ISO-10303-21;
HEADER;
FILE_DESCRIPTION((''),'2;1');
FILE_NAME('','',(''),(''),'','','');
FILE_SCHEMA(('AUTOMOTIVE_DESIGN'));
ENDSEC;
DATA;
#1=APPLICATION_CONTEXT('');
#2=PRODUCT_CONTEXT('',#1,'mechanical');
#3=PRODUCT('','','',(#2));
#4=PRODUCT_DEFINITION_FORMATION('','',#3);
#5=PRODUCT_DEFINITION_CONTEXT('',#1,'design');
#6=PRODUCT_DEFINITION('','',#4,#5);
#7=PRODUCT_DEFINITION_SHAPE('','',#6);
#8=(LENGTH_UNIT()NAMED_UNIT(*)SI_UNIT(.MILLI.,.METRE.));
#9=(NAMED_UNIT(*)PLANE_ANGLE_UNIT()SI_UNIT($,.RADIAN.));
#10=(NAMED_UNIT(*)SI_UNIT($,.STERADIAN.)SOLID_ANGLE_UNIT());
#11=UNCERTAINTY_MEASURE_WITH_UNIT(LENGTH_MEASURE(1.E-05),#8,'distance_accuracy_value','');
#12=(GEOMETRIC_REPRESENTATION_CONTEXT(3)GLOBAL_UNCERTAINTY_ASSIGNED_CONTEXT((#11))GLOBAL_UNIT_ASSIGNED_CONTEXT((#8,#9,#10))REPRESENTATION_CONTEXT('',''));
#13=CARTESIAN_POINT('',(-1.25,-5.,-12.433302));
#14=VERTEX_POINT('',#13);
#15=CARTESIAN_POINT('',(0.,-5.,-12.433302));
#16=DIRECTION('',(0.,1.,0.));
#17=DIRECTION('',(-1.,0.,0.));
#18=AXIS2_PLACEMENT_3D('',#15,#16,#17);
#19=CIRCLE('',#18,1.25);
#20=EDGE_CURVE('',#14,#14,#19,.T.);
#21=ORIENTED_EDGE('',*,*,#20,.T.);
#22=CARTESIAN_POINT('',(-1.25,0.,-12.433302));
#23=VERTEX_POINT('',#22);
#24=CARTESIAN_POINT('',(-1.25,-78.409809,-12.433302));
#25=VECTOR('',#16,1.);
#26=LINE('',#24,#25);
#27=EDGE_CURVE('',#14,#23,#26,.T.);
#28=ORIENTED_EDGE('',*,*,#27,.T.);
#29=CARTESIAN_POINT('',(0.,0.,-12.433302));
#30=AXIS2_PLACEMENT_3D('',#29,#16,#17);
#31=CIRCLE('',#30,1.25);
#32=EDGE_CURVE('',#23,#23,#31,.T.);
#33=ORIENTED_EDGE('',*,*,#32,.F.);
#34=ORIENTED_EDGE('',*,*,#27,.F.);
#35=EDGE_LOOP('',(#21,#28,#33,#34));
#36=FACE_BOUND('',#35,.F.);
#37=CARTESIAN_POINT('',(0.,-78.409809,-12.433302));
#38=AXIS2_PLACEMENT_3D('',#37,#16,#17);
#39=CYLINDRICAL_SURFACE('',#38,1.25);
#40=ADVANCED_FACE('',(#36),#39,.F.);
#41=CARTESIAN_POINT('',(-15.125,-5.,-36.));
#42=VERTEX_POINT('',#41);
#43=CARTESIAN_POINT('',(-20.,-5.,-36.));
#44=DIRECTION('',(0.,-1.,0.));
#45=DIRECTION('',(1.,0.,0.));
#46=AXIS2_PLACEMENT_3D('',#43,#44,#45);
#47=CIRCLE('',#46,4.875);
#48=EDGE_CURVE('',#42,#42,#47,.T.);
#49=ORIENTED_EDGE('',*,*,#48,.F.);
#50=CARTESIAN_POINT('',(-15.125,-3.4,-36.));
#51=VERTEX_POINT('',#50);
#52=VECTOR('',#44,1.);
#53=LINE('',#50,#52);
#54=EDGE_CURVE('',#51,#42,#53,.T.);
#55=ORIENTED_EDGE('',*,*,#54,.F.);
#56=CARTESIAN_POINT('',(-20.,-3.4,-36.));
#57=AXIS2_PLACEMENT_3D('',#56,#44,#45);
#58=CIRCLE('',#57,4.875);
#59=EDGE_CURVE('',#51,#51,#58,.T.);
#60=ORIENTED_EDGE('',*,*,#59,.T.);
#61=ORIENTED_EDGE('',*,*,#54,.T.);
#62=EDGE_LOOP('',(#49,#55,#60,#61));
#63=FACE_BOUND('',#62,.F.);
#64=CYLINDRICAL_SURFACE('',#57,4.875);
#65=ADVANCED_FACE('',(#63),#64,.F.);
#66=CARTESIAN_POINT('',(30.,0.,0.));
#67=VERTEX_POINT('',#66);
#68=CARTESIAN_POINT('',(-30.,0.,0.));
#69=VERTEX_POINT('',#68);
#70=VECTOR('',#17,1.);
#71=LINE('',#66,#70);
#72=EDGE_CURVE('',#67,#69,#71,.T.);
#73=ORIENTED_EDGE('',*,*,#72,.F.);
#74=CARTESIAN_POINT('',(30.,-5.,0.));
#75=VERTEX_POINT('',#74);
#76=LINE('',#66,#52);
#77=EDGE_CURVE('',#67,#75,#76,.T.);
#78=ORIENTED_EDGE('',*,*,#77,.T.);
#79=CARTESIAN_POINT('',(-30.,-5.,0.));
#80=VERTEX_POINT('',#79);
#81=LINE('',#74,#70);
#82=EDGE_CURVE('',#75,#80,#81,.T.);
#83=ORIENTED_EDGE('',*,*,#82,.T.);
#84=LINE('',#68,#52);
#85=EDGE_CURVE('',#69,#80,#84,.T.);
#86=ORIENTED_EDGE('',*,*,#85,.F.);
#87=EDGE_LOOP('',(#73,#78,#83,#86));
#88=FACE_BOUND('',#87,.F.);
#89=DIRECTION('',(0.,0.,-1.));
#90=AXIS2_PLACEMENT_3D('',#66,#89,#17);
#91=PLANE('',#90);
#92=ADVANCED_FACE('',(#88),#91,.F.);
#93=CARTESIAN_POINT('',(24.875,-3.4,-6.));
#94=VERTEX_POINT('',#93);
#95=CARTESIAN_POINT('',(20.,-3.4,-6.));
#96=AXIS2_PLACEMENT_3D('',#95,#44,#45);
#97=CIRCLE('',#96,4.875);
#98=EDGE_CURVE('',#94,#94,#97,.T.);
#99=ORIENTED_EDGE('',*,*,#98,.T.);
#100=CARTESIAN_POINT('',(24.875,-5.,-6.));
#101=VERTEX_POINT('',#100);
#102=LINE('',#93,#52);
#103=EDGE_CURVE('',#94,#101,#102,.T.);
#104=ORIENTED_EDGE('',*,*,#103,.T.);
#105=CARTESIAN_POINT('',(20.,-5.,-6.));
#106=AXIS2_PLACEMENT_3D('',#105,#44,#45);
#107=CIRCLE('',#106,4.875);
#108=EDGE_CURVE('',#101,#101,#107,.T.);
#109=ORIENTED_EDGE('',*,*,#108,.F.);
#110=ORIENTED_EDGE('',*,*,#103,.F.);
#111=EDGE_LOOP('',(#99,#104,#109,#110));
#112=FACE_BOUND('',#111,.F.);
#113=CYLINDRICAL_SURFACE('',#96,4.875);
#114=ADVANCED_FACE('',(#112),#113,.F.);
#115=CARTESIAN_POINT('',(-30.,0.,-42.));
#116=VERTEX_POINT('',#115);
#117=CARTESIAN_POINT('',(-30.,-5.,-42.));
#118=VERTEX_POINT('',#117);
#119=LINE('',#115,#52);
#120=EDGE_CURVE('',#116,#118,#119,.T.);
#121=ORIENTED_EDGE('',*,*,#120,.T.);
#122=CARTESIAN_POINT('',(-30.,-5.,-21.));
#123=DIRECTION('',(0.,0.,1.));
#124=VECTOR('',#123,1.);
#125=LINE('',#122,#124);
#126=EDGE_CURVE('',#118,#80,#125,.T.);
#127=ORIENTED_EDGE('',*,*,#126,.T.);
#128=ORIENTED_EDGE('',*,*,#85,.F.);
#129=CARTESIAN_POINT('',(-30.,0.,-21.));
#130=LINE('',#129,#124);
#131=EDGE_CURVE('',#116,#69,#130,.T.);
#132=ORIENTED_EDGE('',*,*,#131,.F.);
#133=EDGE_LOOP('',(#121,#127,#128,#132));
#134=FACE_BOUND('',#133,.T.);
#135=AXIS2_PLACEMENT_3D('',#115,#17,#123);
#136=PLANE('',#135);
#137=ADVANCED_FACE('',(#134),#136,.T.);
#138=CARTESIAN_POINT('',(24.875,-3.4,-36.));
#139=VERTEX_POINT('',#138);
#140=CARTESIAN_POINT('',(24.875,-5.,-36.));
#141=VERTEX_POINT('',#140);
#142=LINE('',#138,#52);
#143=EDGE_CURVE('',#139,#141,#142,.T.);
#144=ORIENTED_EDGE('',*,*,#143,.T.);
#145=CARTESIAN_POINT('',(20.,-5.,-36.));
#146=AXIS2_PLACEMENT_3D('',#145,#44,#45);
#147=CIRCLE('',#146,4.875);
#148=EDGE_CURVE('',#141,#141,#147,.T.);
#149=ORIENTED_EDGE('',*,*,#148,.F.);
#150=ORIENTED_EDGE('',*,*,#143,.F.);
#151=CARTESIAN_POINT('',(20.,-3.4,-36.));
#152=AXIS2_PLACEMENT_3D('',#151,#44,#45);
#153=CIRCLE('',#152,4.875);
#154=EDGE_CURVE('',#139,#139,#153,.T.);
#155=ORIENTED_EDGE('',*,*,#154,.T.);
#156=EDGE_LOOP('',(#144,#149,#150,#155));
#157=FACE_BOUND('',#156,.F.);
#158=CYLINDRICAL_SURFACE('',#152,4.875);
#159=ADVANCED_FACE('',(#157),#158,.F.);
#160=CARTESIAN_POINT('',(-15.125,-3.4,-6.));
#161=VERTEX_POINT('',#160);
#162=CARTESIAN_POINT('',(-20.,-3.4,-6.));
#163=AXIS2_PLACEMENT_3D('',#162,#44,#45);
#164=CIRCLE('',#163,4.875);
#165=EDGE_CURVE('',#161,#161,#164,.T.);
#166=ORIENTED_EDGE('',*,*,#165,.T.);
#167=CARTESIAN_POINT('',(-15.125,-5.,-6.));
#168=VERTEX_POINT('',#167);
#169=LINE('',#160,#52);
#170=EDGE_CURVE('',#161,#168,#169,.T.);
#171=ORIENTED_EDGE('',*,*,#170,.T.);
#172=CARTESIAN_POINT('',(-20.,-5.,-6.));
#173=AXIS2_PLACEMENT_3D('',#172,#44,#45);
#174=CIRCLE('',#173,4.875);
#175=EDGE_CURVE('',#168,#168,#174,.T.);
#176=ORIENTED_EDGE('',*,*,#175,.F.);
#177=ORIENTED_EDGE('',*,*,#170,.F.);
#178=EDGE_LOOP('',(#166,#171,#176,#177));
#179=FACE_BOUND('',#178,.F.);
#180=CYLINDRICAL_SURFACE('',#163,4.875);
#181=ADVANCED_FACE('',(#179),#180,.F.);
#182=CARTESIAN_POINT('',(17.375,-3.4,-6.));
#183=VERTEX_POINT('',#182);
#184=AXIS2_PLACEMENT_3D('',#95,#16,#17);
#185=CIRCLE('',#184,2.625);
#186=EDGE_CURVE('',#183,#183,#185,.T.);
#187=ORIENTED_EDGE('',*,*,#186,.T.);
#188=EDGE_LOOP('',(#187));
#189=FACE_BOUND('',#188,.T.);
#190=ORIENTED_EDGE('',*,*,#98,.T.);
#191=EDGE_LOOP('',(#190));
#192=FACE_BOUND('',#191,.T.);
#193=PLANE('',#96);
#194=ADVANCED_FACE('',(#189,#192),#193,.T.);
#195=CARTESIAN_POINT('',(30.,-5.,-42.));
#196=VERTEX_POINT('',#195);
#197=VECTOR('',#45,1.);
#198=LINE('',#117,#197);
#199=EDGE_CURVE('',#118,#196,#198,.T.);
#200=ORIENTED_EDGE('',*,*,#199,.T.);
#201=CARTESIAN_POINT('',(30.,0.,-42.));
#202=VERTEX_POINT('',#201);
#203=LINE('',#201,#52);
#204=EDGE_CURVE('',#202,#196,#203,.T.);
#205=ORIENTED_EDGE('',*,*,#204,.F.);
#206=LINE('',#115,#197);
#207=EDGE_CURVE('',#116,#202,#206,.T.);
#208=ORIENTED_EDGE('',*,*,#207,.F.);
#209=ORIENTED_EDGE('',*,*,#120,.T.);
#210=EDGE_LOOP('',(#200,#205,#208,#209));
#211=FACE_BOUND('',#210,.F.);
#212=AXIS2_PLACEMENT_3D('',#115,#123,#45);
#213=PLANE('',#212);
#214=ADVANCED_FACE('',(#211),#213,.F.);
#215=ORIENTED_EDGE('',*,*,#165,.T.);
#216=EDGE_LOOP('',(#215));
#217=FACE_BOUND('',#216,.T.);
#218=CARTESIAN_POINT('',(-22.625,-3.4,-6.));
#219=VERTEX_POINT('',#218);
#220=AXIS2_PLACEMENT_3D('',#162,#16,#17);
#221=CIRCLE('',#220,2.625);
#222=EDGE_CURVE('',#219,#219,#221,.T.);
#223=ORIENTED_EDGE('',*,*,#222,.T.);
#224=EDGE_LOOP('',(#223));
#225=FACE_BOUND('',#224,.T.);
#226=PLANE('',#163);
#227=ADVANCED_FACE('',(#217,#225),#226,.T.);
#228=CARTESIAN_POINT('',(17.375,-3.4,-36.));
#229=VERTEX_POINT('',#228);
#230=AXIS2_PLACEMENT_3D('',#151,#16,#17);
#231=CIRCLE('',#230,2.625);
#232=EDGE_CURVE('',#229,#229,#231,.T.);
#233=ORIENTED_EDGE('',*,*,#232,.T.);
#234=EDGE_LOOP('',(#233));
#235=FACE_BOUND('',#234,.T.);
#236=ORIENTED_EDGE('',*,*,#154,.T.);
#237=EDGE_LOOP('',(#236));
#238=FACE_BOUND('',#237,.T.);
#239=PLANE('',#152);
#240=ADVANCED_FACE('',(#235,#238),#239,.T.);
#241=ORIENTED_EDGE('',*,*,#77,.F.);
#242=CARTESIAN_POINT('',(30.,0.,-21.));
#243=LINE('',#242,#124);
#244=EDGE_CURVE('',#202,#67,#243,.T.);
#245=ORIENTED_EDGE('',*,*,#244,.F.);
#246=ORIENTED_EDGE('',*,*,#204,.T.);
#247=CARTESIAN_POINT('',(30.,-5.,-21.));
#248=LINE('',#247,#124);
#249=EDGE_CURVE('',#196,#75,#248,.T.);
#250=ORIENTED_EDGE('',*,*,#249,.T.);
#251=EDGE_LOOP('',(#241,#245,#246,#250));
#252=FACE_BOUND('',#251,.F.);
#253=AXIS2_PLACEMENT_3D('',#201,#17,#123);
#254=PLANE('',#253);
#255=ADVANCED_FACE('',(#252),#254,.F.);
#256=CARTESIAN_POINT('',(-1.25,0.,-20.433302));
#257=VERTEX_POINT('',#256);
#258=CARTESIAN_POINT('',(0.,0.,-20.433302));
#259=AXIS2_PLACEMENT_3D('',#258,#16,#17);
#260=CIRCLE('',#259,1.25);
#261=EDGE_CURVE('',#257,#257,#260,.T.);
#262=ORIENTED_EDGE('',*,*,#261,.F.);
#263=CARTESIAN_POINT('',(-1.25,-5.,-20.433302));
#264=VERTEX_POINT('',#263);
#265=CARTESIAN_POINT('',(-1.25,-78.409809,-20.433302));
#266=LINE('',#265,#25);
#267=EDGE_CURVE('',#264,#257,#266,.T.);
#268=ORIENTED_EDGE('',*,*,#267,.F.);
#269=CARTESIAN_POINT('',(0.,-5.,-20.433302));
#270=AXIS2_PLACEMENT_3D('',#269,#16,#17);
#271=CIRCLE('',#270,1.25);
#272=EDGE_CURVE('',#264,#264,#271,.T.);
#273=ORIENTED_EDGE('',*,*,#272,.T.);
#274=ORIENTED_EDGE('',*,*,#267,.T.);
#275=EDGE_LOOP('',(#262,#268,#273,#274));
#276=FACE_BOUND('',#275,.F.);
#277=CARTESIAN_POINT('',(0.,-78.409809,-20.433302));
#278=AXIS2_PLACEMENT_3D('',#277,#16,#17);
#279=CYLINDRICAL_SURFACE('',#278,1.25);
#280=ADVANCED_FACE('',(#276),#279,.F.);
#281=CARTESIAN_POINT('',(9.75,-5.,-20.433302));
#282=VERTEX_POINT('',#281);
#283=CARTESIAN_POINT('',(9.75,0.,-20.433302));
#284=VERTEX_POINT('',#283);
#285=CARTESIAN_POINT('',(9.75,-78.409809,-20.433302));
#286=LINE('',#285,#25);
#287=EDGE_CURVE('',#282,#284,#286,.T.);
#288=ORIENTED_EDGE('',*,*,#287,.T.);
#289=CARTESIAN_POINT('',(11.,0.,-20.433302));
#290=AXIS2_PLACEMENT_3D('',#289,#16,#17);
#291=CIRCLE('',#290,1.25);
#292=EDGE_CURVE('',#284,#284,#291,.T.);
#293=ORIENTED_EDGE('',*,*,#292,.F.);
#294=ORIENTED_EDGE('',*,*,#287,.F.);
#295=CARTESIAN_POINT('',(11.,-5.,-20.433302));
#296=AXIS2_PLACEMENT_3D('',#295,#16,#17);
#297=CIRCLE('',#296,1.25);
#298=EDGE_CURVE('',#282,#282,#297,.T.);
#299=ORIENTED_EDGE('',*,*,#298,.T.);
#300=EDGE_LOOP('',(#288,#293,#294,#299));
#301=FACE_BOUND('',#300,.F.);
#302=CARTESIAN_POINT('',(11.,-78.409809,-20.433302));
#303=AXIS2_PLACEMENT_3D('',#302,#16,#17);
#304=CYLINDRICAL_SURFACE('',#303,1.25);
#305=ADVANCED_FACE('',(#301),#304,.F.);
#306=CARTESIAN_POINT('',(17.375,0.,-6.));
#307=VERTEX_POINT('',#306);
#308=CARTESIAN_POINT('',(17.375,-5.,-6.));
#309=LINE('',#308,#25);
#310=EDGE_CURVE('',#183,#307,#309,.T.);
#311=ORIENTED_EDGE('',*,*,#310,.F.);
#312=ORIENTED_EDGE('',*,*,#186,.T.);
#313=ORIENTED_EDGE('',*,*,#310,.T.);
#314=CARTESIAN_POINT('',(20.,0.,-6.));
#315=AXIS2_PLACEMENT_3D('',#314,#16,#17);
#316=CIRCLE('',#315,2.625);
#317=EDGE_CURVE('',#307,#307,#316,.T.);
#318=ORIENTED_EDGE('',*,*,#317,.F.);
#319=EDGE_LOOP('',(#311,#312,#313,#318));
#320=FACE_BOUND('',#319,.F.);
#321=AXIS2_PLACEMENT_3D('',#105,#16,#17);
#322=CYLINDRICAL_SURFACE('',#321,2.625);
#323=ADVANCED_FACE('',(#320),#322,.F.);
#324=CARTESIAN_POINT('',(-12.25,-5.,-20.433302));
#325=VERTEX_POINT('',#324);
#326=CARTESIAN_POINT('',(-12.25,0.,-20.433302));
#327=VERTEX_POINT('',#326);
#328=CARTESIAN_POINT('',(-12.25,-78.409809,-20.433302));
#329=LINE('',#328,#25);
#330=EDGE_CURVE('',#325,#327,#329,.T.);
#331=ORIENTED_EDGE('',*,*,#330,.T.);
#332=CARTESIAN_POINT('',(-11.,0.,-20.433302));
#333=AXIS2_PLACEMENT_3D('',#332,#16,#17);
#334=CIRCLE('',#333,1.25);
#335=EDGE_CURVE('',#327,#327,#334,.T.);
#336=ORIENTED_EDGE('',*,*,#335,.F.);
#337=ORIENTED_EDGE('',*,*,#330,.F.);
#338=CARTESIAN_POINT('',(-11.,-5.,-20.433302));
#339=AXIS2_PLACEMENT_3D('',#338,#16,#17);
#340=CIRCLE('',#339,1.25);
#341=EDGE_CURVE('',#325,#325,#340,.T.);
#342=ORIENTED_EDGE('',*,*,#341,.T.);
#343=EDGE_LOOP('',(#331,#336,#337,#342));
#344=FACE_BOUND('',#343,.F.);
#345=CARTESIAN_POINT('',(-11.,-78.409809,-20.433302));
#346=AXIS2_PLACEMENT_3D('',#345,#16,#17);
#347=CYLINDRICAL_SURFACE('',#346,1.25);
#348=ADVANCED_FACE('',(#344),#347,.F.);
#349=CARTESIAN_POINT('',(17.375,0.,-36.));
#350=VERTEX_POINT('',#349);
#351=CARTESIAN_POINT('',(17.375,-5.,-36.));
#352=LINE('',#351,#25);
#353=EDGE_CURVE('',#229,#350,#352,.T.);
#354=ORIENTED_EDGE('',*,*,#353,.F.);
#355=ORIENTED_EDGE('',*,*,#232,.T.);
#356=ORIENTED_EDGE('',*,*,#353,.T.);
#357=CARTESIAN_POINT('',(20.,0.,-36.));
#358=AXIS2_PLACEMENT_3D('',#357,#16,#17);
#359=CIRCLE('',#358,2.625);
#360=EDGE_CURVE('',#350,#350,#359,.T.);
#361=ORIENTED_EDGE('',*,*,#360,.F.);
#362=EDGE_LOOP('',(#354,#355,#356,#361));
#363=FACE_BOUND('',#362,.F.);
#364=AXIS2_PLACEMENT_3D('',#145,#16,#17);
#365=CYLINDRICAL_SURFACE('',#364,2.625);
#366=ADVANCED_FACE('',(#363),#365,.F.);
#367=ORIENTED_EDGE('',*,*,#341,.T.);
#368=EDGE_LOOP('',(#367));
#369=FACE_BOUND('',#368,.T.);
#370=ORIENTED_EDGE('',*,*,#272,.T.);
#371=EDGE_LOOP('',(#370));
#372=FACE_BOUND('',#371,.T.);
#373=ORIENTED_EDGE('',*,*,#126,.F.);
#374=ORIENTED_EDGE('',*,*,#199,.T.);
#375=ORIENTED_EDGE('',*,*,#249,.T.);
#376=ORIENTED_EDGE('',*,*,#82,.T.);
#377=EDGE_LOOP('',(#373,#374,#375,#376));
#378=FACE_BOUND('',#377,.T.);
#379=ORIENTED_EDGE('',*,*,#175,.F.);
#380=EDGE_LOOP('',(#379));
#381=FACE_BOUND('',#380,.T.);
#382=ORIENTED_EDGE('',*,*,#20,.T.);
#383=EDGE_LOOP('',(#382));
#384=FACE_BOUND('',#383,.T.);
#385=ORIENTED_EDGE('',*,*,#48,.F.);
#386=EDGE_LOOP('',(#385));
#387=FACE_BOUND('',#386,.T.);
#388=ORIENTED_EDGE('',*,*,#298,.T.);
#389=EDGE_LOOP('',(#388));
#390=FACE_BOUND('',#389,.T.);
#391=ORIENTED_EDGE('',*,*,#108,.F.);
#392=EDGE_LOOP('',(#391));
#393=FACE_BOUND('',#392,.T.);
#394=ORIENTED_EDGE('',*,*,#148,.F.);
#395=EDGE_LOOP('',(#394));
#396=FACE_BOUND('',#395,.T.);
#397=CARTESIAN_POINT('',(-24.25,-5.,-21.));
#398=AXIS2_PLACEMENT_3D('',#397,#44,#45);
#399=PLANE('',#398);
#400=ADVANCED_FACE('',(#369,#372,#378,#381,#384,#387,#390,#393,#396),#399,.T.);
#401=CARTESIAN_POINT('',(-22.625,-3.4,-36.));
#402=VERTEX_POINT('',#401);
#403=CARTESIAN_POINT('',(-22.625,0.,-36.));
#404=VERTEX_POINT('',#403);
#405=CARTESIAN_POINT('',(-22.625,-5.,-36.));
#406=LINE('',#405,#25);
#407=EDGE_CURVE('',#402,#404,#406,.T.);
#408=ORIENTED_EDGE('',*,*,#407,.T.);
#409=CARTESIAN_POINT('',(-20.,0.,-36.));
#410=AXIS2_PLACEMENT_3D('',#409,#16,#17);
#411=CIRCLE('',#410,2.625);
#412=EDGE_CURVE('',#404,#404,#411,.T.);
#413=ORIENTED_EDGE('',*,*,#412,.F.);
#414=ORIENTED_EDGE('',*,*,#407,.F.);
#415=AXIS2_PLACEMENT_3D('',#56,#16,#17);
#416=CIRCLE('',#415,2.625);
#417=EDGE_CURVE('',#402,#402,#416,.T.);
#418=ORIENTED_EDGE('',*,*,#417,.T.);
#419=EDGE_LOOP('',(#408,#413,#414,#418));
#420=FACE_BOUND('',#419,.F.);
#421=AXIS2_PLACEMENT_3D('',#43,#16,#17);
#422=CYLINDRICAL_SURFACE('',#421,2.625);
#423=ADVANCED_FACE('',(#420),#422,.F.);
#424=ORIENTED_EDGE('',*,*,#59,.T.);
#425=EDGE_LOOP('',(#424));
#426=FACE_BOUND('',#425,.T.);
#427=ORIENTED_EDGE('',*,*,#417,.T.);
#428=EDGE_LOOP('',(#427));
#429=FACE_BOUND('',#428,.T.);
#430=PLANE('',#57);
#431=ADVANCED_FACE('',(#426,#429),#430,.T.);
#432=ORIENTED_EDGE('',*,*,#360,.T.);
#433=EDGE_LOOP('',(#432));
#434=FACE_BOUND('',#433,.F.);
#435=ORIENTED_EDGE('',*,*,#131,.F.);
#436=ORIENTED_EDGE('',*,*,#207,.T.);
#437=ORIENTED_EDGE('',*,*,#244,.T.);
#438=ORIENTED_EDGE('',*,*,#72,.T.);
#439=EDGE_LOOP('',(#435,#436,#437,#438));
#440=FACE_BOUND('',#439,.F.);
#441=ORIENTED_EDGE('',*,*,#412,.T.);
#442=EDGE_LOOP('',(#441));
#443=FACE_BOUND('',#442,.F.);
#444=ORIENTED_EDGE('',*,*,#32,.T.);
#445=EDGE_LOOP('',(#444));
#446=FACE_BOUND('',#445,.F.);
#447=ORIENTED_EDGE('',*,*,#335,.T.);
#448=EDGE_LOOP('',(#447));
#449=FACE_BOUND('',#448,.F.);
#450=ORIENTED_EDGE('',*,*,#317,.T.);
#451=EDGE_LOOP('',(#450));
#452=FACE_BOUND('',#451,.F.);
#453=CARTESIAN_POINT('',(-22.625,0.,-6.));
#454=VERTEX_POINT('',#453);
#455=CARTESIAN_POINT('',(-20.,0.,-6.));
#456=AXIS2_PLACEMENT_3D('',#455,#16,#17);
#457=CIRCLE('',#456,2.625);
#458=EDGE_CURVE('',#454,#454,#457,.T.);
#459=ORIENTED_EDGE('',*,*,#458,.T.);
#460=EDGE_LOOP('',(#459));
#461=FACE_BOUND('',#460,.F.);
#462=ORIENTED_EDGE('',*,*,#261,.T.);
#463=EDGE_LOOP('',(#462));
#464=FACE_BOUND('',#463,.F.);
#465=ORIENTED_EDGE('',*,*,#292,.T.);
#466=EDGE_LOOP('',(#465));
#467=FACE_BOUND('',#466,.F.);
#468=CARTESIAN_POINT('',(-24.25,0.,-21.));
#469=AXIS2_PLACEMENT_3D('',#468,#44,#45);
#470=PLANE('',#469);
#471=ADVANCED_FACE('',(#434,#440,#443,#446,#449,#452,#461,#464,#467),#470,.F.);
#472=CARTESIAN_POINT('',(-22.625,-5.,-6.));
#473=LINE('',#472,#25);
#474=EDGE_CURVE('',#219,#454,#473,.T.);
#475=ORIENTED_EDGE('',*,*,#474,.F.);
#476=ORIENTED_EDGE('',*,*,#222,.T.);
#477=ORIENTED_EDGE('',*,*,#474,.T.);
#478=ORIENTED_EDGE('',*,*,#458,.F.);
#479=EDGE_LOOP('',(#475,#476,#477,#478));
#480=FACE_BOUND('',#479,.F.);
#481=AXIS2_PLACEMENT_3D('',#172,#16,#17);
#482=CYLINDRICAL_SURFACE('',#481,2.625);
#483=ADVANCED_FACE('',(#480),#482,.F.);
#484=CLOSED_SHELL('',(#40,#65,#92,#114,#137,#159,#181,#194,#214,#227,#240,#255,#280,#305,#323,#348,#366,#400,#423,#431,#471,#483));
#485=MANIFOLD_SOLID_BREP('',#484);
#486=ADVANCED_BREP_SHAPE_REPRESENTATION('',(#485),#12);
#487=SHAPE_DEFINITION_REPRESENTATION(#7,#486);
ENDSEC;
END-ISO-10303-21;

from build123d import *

# Parameters (mm, degrees)
F0_W           = 11.5
F0_H           = 42
F0_W_2         = 37
F1_DEPTH       = 5
F3_D           = 5.25
F3_DEPTH       = 50
F3_CBORE_D     = 9.75
F3_CBORE_DEPTH = 1.6
F3_TIP         = 1.5772591249
F4_D           = 2.5


with BuildPart() as f1:
    # F0 (on Front) → F1 (new body)
    with BuildSketch(Plane.XZ):
        with Locations((-24.25, -21)):
            Rectangle(F0_W, F0_H)
        with Locations((0, -21)):
            Rectangle(F0_W_2, F0_H)
        with Locations((24.25, -21)):
            Rectangle(F0_W, F0_H)
    extrude(amount=F1_DEPTH)

    # F3
    with Locations(Plane.XZ.offset(5)):
        with Locations((-20, -6), (20, -6), (20, -36), (-20, -36)):
            CounterBoreHole(F3_D / 2, F3_CBORE_D / 2, F3_CBORE_DEPTH, depth=F3_DEPTH)
            with Locations((0, 0, -(F3_DEPTH + F3_TIP / 2))):  # 118° drill point
                Cone(0, F3_D / 2, F3_TIP, mode=Mode.SUBTRACT)

    # F4 (through all)
    with Locations(Plane.XZ.offset(5)):
        with Locations((0, -12.4333016574), (0, -20.4333016574), (-11, -20.4333016574), (11, -20.4333016574)):
            Hole(F4_D / 2)


solid = f1.part
